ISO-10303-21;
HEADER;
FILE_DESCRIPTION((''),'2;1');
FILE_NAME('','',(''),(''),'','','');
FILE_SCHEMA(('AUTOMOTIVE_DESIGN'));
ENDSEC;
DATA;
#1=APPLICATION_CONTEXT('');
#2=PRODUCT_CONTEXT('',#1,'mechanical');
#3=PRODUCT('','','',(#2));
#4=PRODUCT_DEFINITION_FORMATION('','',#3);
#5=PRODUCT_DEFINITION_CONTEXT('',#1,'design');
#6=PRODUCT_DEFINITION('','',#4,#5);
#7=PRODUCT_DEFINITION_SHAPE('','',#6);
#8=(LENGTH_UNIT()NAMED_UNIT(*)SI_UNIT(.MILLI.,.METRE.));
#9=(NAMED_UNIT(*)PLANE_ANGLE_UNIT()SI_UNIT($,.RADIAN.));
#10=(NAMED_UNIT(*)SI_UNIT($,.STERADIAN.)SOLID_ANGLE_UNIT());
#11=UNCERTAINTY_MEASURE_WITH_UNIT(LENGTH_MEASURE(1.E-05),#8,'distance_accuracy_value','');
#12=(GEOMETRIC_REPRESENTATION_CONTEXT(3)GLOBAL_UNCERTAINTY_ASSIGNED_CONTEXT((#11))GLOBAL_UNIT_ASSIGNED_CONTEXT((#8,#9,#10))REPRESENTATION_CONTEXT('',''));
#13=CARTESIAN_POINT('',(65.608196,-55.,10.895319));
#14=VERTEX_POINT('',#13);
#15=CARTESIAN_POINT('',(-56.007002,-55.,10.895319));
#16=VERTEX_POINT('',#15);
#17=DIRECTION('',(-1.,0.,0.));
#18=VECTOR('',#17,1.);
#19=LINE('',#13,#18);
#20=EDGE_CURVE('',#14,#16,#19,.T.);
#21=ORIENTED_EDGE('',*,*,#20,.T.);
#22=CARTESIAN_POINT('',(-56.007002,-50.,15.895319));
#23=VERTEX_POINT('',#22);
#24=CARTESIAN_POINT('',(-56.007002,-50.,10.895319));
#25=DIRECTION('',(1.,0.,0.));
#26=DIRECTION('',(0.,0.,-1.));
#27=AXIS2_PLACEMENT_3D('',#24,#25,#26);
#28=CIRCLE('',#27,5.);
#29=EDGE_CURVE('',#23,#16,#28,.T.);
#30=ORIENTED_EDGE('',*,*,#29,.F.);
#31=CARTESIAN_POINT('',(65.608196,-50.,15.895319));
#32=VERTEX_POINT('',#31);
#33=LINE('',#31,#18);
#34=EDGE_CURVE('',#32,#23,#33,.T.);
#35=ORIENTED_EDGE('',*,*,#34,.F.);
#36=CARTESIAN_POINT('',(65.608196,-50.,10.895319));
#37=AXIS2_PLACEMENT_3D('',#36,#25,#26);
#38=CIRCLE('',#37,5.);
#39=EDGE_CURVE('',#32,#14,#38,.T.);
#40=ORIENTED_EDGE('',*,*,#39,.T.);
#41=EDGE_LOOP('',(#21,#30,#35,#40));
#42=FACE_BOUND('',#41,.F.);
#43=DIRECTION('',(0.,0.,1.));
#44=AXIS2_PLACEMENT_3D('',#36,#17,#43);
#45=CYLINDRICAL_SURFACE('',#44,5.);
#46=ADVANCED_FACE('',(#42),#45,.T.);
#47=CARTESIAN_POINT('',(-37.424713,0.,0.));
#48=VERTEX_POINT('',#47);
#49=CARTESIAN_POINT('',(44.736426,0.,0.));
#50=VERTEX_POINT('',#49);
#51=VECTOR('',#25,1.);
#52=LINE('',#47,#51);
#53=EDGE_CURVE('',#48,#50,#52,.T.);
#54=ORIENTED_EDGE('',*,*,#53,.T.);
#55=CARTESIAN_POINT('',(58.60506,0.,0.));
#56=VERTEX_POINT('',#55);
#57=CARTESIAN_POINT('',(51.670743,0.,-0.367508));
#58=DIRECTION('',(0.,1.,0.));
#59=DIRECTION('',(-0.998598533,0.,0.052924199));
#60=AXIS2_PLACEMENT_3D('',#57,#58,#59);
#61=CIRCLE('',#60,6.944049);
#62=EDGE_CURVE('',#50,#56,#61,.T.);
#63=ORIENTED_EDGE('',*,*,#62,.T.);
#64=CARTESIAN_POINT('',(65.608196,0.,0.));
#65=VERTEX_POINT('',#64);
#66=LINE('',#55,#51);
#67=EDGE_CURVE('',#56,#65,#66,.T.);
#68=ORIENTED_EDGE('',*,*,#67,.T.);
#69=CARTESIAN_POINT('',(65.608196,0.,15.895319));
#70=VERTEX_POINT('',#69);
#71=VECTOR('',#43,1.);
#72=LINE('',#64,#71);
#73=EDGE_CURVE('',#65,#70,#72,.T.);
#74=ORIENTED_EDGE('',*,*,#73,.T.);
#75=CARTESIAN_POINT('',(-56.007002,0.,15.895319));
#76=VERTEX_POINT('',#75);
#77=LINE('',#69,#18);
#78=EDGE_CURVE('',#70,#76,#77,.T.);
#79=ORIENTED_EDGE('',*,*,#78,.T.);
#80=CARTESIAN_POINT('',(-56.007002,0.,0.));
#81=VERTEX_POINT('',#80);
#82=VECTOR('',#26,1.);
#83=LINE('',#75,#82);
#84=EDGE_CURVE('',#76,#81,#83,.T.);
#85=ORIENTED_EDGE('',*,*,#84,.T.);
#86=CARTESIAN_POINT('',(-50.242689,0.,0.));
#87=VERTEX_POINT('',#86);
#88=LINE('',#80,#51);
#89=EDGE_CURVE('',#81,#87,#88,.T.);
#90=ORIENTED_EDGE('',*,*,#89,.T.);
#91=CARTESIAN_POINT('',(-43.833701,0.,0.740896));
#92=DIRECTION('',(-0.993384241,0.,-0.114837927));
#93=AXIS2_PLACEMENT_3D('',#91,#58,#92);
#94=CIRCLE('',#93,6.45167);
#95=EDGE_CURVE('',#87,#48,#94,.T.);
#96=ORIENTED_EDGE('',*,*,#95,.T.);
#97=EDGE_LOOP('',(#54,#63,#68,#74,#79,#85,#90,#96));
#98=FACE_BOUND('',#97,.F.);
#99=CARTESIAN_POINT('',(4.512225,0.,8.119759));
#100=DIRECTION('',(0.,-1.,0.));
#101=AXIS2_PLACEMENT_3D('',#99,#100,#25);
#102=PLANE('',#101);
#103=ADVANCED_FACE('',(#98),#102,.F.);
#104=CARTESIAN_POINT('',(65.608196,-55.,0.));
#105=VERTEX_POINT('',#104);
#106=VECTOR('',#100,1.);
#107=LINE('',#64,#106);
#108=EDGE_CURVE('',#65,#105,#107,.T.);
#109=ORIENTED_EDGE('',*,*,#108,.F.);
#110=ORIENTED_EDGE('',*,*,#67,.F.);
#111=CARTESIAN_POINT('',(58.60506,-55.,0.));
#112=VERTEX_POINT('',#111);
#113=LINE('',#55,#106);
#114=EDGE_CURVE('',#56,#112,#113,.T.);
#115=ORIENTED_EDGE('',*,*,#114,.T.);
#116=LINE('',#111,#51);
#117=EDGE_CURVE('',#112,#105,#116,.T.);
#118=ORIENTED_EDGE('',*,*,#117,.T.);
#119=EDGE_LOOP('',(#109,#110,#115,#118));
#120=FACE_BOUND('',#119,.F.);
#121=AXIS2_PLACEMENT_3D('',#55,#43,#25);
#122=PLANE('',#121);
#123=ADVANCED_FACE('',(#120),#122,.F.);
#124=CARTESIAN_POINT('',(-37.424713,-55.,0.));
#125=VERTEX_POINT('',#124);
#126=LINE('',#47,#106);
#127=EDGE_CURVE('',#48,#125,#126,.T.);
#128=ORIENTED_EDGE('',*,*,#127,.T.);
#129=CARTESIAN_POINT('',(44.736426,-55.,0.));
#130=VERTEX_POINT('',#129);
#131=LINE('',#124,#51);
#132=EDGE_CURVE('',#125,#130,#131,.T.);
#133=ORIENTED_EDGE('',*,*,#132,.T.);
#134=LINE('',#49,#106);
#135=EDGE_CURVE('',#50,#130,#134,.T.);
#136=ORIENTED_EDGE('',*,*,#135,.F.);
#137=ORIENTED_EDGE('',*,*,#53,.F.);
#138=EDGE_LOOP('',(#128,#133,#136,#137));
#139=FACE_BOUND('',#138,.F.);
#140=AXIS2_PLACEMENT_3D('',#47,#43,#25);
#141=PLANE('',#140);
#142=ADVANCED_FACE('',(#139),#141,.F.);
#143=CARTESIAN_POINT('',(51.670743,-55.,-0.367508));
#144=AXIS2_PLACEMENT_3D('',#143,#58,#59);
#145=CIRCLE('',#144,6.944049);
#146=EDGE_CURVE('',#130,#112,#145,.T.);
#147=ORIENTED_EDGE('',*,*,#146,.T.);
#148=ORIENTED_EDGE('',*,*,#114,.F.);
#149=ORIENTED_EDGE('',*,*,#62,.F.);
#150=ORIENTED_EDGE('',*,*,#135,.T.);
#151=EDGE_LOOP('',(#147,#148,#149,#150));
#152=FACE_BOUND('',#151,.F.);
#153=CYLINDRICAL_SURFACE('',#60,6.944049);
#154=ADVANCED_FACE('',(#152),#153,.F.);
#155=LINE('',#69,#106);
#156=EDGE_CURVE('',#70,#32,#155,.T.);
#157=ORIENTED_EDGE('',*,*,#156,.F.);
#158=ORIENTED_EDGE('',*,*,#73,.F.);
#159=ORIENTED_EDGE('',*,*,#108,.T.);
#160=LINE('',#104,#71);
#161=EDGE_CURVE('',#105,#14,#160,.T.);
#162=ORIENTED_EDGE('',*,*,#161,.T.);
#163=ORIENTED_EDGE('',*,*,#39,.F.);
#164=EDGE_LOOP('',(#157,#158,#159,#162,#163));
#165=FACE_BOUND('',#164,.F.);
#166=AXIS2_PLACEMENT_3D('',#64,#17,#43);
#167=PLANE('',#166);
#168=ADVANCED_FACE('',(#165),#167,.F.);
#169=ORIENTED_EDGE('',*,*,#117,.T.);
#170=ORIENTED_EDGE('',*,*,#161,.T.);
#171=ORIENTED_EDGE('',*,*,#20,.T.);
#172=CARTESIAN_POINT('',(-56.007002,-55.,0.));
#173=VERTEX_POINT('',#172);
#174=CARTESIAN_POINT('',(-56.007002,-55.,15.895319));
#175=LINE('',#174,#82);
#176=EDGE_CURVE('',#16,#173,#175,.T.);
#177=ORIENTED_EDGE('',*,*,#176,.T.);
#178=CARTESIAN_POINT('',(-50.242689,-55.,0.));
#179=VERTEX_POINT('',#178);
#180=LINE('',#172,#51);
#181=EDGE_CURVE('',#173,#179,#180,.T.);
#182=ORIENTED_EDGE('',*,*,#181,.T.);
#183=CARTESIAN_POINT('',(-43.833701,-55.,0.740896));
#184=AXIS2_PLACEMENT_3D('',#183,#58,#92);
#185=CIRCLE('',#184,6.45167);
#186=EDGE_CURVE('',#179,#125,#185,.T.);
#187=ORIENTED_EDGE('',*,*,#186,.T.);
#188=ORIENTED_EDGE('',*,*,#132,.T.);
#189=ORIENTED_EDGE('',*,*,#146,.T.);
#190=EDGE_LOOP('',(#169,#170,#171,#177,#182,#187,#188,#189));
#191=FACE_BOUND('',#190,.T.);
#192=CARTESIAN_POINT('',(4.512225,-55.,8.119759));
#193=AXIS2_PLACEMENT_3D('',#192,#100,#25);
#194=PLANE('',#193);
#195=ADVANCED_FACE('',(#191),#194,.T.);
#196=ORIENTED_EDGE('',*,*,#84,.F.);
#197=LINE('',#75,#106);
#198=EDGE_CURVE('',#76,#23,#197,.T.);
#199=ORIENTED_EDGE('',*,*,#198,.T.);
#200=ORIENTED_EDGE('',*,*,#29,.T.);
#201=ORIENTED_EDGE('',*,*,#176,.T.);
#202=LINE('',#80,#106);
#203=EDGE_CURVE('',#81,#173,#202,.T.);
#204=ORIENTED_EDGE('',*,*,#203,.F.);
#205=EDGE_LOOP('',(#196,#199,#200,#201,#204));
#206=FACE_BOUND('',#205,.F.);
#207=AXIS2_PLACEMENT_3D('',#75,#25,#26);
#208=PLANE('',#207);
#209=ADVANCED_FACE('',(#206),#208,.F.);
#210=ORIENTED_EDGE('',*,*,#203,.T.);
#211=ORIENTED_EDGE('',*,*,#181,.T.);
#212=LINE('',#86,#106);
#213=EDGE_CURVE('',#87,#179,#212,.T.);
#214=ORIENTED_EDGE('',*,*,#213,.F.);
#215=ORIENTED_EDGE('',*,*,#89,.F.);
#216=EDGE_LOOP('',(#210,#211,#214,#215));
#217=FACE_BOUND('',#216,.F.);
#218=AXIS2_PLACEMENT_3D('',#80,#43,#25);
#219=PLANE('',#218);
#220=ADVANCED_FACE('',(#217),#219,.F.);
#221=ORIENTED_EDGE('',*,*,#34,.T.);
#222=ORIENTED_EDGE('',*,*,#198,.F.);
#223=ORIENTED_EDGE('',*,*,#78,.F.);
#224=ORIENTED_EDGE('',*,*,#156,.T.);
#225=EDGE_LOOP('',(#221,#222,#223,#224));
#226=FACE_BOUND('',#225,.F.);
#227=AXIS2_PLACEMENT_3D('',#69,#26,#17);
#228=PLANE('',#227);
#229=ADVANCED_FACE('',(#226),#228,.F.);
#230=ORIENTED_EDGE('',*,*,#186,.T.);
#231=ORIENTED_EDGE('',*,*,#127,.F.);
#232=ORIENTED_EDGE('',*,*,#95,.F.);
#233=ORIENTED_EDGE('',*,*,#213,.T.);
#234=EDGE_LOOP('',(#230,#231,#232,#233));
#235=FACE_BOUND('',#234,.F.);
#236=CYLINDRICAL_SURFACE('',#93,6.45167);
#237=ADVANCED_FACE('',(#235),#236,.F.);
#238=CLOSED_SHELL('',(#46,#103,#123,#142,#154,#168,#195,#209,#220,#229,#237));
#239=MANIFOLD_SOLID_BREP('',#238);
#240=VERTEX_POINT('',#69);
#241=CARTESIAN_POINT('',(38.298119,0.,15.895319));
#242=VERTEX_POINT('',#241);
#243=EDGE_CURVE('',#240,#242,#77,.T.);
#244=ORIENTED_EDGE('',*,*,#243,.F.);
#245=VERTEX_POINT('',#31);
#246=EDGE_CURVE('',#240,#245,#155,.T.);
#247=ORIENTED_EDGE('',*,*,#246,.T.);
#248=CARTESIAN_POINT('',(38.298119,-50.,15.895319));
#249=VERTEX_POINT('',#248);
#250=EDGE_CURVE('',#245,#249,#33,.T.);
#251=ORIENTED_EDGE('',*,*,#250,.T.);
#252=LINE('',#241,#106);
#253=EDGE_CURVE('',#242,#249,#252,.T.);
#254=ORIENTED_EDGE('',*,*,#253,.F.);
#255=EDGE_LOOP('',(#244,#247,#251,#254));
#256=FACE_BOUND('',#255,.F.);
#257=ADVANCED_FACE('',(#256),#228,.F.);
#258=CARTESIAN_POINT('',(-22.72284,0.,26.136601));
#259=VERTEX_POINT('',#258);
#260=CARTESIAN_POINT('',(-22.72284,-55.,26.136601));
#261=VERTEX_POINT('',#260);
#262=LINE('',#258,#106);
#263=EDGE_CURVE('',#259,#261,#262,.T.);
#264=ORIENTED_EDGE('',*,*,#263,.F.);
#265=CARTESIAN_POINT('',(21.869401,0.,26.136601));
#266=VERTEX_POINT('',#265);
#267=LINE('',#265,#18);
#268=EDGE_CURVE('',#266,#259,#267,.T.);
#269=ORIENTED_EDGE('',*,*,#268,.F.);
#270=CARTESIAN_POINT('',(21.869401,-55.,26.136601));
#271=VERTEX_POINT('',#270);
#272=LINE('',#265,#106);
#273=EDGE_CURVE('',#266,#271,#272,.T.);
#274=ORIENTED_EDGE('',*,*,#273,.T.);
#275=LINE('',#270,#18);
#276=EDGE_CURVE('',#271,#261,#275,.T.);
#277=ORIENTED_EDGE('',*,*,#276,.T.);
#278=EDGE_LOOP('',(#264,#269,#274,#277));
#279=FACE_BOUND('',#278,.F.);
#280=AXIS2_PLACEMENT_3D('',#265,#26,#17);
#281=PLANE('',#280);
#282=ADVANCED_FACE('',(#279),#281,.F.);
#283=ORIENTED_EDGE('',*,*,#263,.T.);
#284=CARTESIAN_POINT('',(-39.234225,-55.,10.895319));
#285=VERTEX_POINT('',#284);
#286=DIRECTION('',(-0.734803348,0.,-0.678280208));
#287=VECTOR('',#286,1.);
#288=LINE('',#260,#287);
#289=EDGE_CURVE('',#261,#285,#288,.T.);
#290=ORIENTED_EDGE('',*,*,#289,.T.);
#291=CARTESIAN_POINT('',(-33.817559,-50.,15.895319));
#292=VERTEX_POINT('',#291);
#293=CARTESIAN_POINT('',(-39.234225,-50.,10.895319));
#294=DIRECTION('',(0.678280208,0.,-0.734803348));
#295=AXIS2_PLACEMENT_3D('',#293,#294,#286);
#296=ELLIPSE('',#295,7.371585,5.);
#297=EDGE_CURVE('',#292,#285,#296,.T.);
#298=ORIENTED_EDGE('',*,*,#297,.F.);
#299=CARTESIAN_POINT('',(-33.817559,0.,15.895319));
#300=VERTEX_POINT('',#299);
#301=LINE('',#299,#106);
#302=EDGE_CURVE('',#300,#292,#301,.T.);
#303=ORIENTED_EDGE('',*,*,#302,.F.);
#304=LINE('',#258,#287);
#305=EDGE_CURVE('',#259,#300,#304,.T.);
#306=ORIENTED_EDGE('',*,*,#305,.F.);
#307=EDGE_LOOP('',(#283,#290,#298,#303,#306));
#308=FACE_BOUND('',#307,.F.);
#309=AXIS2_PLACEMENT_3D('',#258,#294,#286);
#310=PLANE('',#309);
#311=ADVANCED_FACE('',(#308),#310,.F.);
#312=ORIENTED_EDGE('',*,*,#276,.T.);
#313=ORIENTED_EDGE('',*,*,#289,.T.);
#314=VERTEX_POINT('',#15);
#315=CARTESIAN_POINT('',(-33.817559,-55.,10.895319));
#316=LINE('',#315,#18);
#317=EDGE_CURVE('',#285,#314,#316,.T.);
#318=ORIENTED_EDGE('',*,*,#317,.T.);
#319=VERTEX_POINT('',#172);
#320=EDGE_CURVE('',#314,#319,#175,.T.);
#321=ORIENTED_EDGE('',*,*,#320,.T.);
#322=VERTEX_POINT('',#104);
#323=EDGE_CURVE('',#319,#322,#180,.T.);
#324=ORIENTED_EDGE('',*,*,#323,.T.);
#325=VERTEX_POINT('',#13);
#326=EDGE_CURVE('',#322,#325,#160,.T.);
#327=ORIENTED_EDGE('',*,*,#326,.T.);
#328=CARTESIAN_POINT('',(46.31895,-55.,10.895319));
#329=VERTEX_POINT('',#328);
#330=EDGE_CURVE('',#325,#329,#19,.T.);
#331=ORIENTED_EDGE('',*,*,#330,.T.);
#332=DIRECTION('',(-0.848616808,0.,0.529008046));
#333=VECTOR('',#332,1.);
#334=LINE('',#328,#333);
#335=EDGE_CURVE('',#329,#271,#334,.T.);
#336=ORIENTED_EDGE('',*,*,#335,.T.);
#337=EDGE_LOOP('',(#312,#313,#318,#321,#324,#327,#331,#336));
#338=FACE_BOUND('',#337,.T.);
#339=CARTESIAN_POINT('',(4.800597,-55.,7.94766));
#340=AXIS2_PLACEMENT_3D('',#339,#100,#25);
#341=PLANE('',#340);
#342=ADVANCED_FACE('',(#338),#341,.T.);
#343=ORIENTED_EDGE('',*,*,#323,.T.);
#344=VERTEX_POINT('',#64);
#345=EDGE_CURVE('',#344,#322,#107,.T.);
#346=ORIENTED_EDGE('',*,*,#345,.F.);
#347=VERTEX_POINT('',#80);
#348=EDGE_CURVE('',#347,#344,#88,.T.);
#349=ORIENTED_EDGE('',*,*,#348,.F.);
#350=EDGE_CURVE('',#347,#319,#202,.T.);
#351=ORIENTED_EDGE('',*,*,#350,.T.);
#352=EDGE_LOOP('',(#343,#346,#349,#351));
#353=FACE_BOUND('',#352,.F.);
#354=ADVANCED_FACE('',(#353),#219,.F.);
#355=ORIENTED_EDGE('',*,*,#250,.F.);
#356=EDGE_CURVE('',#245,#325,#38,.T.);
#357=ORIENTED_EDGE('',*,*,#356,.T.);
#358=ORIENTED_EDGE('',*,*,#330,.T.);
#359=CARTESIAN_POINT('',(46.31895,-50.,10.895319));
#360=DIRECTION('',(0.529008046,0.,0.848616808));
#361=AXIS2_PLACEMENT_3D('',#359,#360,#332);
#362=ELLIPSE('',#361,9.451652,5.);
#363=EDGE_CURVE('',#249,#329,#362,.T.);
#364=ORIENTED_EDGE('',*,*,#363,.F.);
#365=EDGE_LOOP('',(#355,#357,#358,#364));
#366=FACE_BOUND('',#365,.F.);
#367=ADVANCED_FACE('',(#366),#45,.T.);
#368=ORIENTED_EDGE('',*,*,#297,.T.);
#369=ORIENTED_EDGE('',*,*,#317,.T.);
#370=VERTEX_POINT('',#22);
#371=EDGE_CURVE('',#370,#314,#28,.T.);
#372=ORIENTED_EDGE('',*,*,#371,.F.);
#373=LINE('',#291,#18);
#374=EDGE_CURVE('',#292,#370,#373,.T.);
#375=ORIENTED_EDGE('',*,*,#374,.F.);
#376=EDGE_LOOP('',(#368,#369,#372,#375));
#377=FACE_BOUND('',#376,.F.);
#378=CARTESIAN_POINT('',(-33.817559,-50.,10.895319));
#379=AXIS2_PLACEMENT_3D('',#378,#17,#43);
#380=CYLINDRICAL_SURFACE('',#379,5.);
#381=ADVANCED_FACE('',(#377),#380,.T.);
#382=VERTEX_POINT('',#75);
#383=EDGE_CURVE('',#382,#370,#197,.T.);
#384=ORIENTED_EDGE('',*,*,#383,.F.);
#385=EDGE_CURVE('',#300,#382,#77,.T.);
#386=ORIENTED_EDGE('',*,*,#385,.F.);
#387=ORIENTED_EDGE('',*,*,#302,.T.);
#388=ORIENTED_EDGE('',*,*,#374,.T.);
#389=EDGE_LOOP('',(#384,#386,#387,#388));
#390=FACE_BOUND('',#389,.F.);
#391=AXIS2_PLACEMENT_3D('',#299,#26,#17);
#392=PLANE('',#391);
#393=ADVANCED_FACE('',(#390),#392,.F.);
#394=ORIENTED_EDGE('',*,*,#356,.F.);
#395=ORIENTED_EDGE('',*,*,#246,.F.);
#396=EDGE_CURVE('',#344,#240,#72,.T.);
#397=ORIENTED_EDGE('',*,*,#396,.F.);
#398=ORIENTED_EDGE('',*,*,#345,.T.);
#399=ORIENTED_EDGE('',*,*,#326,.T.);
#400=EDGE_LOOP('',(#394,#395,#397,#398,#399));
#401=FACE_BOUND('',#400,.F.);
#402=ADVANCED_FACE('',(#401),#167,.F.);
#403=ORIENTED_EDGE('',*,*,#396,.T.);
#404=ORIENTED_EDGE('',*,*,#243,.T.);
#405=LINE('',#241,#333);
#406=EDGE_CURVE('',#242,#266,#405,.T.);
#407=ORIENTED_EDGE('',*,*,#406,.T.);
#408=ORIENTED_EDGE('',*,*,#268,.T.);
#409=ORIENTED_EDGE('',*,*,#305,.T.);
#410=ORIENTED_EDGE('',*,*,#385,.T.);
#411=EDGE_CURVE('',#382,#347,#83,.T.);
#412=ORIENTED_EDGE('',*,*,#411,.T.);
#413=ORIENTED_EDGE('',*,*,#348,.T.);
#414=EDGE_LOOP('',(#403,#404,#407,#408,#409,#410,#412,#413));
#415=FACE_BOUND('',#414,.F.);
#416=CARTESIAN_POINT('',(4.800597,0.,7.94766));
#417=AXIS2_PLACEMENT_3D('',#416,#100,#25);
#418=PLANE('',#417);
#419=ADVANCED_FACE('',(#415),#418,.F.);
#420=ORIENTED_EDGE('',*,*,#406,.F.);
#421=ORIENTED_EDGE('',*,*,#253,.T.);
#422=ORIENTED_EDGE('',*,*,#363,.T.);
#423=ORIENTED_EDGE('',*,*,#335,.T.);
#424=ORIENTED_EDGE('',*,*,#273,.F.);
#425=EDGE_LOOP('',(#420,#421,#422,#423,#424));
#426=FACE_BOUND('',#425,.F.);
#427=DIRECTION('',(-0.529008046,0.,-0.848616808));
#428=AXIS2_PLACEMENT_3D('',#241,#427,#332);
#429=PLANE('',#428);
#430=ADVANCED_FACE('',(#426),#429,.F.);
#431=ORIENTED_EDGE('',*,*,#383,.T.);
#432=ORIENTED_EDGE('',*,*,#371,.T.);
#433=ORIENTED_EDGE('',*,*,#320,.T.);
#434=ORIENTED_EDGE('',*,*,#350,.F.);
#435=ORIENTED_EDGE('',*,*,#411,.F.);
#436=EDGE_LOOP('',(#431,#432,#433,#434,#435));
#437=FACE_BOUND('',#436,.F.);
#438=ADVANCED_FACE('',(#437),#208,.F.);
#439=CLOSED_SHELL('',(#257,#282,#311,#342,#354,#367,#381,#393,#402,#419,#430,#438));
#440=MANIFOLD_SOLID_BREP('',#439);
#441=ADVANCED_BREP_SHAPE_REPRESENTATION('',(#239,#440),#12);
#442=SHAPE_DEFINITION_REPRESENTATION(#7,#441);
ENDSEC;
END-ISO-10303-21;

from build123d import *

# Parameters (mm, degrees)
F2_DEPTH = 55
F3_R     = 5
F4_R     = 5
F5_R     = 5


with BuildPart() as f2:
    # F1 (on face) → F2 (new body)
    with BuildSketch(Plane.XZ):
        with BuildLine():
            ThreePointArc((44.7364263237, 0), (51.6707431525, 6.576540475), (58.6050599813, 0))
            Line((58.6050599813, 0), (65.6081959605, 0))
            Line((65.6081959605, 0), (65.6081959605, 15.8953191712))
            Line((65.6081959605, 15.8953191712), (38.2981188595, 15.8953191712))
            Line((38.2981188595, 15.8953191712), (33.3908423781, 15.8953191712))
            Line((33.3908423781, 15.8953191712), (-29.3370001018, 15.8953191712))
            Line((-29.3370001018, 15.8953191712), (-33.8175594807, 15.8953191712))
            Line((-33.8175594807, 15.8953191712), (-56.007001549, 15.8953191712))
            Line((-56.007001549, 15.8953191712), (-56.007001549, 0))
            Line((-56.007001549, 0), (-50.2426885068, 0))
            ThreePointArc((-50.2426885068, 0), (-43.83370094, 7.1925667007), (-37.4247133732, 0))
            Line((-37.4247133732, 0), (44.7364263237, 0))
        make_face()
    extrude(amount=F2_DEPTH)

    # F4
    f4_edges = [f2.edges().sort_by_distance(p)[0] for p in [
        (4.800597, -55, 15.895319),
    ]]
    fillet(f4_edges, radius=F4_R)


with BuildPart() as f2b:
    # F0 (on Front) → F2, piece 2 (new body)
    with BuildSketch(Plane.XZ):
        Polygon((-56.007001549, 15.8953191712), (-56.007001549, 0), (65.6081959605, 0), (65.6081959605, 15.8953191712), (38.2981188595, 15.8953191712), (33.3908423781, 15.8953191712), (-29.3370001018, 15.8953191712), (-33.8175594807, 15.8953191712), align=None)
        Polygon((-22.7228403091, 26.1366013438), (-33.8175594807, 15.8953191712), (-29.3370001018, 15.8953191712), (33.3908423781, 15.8953191712), (38.2981188595, 15.8953191712), (21.8694005162, 26.1366013438), align=None)
    extrude(amount=F2_DEPTH)

    # F3
    f3_edges = [f2b.edges().sort_by_distance(p)[0] for p in [
        (51.953157, -55, 15.895319),
    ]]
    fillet(f3_edges, radius=F3_R)

    # F5
    f5_edges = [f2b.edges().sort_by_distance(p)[0] for p in [
        (-44.912281, -55, 15.895319),
    ]]
    fillet(f5_edges, radius=F5_R)


solid = Compound([f2.part, f2b.part])
